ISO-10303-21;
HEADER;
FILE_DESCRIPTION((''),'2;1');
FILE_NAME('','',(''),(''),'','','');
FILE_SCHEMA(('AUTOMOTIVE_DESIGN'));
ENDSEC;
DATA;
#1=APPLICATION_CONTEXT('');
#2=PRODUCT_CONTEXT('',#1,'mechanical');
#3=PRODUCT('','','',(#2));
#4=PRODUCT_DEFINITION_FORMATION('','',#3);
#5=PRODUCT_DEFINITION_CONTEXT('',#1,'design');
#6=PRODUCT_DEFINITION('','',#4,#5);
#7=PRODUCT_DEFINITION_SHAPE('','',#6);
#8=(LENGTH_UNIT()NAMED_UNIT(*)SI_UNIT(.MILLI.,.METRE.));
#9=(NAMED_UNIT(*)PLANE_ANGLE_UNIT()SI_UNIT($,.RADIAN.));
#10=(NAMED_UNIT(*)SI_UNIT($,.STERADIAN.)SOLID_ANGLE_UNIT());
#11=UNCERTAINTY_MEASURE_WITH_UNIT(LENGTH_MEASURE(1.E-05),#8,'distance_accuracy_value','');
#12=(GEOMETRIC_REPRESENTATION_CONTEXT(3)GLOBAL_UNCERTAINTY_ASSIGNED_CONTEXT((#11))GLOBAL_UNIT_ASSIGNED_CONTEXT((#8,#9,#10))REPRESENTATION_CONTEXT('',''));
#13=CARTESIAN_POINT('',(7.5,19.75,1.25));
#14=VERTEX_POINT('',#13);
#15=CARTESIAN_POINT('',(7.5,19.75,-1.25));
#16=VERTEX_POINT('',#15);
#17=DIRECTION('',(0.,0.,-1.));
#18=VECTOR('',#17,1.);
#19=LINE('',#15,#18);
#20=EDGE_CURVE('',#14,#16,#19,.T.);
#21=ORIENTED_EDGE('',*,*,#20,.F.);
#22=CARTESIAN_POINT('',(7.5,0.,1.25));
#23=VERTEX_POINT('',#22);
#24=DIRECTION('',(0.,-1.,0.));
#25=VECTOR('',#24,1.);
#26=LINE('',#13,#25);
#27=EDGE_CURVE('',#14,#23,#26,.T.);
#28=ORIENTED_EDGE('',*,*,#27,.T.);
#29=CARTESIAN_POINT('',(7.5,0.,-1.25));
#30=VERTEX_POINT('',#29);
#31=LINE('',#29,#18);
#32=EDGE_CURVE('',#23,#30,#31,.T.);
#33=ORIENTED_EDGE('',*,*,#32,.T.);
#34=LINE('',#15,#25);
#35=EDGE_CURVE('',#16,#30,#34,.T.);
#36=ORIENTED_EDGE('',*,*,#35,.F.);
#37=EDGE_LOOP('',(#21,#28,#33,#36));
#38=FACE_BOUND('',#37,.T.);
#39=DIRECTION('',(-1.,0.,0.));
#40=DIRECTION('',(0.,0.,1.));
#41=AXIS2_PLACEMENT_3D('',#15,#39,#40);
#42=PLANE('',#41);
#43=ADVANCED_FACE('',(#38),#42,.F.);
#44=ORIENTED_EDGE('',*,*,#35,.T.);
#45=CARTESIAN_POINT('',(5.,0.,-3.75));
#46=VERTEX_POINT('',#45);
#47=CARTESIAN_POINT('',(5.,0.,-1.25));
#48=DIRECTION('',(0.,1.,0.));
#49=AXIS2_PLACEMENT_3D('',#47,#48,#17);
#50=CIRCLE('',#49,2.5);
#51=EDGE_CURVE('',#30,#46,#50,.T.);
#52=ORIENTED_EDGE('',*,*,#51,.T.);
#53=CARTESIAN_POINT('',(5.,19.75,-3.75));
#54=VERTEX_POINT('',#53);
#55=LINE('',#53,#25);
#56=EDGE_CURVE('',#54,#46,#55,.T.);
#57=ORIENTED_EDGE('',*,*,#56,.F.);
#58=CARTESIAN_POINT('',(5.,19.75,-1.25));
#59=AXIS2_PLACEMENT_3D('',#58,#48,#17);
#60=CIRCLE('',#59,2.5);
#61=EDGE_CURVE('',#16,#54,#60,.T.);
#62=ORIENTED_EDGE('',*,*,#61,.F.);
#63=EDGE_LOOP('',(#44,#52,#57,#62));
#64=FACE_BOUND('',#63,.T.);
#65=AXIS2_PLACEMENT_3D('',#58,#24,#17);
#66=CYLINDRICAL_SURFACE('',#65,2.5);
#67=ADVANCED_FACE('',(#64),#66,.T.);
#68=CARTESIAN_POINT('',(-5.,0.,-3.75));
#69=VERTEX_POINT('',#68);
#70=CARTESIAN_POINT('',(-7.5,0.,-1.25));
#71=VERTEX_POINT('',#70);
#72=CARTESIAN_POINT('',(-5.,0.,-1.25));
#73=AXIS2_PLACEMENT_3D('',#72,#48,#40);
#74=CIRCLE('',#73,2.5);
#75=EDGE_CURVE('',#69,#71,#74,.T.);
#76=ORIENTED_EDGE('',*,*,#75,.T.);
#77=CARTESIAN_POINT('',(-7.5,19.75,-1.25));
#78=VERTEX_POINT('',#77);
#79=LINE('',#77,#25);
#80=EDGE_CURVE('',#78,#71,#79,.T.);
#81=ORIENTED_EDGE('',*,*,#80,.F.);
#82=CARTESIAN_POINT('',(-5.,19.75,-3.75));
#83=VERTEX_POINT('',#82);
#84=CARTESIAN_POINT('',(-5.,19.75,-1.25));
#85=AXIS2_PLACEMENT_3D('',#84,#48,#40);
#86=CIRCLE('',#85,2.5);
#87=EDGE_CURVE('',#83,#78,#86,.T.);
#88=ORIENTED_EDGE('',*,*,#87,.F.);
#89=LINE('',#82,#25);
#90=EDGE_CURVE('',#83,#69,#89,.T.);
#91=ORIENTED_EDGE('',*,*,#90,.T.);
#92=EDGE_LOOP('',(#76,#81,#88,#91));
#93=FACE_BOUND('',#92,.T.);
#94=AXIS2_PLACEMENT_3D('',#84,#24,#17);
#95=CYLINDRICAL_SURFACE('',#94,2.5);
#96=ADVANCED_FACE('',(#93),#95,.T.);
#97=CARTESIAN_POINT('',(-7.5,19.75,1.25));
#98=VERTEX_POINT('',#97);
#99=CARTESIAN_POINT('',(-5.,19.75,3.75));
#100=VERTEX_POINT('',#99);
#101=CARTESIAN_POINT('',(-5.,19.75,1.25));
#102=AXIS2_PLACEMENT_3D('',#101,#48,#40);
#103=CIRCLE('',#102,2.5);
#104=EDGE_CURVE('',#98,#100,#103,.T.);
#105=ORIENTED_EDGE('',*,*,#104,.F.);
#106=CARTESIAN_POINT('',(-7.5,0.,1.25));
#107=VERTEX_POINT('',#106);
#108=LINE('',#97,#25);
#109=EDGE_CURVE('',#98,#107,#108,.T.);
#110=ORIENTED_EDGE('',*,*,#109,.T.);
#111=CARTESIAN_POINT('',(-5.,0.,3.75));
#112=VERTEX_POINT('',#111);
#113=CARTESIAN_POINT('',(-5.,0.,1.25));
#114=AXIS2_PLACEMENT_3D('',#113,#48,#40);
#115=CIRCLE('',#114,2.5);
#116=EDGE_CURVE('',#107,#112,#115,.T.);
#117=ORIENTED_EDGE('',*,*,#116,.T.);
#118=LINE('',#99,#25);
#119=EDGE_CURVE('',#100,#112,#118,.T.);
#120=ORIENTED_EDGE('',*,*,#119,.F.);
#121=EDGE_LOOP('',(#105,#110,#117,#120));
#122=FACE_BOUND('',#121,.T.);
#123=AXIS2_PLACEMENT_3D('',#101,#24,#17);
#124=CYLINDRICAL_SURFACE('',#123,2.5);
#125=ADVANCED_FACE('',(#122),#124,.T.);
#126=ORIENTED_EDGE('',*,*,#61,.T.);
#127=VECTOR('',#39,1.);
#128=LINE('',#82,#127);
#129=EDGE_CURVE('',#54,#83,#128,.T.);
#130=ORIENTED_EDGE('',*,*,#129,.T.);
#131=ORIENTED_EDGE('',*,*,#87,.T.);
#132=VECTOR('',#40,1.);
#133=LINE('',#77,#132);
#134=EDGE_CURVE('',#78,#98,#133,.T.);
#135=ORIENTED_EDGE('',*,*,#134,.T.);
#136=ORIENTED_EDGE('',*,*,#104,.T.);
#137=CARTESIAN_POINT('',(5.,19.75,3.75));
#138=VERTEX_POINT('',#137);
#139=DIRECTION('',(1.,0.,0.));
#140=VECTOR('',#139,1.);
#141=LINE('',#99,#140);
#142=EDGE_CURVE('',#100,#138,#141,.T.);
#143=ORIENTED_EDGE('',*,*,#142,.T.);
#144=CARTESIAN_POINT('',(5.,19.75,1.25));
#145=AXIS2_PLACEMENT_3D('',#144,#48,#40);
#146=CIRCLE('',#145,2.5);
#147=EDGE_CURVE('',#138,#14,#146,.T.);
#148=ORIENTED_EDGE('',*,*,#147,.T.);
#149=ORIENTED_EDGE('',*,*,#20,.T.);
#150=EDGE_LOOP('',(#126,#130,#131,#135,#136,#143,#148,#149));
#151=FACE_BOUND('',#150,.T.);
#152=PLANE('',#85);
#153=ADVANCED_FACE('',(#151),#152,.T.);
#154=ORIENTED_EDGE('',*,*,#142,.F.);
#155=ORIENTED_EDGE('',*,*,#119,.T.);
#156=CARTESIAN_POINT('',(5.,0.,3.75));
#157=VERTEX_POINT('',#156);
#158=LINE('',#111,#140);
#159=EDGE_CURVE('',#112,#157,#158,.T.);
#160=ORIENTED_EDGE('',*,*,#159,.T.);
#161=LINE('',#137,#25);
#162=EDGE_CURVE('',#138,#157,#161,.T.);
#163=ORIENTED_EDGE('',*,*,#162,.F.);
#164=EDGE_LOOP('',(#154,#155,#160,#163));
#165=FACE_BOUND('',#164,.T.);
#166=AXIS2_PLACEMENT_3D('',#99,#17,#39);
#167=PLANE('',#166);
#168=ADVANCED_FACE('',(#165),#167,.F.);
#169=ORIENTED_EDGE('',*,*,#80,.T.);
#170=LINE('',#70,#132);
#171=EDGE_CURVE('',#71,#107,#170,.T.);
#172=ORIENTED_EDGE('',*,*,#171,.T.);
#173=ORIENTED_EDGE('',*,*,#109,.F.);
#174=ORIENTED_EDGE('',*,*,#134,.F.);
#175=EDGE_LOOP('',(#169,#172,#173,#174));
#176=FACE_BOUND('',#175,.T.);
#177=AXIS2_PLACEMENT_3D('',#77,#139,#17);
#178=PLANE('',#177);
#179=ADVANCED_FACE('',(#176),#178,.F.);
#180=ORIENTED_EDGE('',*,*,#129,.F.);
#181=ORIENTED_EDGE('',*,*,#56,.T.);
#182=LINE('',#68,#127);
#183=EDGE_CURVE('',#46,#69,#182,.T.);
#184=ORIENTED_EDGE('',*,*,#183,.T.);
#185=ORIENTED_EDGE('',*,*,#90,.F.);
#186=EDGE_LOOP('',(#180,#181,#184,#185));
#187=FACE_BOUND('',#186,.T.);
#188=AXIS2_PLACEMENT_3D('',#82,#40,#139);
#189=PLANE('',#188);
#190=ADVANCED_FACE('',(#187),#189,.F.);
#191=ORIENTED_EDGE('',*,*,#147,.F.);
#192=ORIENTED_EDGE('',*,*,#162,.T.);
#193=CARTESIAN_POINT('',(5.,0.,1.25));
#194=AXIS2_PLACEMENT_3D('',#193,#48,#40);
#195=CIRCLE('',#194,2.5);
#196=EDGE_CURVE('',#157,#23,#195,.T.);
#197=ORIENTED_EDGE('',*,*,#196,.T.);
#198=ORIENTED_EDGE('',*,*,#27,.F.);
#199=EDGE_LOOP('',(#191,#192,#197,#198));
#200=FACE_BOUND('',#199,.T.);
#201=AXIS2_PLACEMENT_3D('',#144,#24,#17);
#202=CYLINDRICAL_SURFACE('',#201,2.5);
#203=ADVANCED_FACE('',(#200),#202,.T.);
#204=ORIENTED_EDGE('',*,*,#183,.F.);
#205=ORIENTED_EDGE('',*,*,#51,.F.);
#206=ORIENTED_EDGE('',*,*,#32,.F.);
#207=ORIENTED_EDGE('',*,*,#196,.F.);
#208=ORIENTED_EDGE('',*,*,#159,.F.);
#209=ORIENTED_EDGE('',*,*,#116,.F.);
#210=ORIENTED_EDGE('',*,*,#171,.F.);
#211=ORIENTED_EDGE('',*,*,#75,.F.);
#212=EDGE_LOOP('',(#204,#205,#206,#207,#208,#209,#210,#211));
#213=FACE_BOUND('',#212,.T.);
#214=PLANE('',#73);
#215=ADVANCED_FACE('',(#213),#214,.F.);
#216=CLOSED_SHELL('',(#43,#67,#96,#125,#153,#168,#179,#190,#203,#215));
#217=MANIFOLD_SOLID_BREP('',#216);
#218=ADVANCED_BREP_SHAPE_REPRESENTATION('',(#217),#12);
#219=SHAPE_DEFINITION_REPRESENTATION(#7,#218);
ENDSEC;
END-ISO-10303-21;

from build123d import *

# Parameters (mm, degrees)
BOSS_EXTRUDE1_DEPTH = 19.75


with BuildPart() as part:
    # Sketch1 → Boss-Extrude1 (new body)
    with BuildSketch(Plane(origin=(0, 0, 0), x_dir=(1, 0, 0), z_dir=(0, 1, 0))):
        with BuildLine():
            Line((-5, 3.75), (5, 3.75))
            ThreePointArc((5, 3.75), (6.767766953, 3.017766953), (7.5, 1.25))
            Line((7.5, 1.25), (7.5, -1.25))
            ThreePointArc((7.5, -1.25), (6.767766953, -3.017766953), (5, -3.75))
            Line((5, -3.75), (-5, -3.75))
            ThreePointArc((-5, -3.75), (-6.767766953, -3.017766953), (-7.5, -1.25))
            Line((-7.5, -1.25), (-7.5, 1.25))
            ThreePointArc((-7.5, 1.25), (-6.767766953, 3.017766953), (-5, 3.75))
        make_face()
    extrude(amount=BOSS_EXTRUDE1_DEPTH)


solid = part.part
